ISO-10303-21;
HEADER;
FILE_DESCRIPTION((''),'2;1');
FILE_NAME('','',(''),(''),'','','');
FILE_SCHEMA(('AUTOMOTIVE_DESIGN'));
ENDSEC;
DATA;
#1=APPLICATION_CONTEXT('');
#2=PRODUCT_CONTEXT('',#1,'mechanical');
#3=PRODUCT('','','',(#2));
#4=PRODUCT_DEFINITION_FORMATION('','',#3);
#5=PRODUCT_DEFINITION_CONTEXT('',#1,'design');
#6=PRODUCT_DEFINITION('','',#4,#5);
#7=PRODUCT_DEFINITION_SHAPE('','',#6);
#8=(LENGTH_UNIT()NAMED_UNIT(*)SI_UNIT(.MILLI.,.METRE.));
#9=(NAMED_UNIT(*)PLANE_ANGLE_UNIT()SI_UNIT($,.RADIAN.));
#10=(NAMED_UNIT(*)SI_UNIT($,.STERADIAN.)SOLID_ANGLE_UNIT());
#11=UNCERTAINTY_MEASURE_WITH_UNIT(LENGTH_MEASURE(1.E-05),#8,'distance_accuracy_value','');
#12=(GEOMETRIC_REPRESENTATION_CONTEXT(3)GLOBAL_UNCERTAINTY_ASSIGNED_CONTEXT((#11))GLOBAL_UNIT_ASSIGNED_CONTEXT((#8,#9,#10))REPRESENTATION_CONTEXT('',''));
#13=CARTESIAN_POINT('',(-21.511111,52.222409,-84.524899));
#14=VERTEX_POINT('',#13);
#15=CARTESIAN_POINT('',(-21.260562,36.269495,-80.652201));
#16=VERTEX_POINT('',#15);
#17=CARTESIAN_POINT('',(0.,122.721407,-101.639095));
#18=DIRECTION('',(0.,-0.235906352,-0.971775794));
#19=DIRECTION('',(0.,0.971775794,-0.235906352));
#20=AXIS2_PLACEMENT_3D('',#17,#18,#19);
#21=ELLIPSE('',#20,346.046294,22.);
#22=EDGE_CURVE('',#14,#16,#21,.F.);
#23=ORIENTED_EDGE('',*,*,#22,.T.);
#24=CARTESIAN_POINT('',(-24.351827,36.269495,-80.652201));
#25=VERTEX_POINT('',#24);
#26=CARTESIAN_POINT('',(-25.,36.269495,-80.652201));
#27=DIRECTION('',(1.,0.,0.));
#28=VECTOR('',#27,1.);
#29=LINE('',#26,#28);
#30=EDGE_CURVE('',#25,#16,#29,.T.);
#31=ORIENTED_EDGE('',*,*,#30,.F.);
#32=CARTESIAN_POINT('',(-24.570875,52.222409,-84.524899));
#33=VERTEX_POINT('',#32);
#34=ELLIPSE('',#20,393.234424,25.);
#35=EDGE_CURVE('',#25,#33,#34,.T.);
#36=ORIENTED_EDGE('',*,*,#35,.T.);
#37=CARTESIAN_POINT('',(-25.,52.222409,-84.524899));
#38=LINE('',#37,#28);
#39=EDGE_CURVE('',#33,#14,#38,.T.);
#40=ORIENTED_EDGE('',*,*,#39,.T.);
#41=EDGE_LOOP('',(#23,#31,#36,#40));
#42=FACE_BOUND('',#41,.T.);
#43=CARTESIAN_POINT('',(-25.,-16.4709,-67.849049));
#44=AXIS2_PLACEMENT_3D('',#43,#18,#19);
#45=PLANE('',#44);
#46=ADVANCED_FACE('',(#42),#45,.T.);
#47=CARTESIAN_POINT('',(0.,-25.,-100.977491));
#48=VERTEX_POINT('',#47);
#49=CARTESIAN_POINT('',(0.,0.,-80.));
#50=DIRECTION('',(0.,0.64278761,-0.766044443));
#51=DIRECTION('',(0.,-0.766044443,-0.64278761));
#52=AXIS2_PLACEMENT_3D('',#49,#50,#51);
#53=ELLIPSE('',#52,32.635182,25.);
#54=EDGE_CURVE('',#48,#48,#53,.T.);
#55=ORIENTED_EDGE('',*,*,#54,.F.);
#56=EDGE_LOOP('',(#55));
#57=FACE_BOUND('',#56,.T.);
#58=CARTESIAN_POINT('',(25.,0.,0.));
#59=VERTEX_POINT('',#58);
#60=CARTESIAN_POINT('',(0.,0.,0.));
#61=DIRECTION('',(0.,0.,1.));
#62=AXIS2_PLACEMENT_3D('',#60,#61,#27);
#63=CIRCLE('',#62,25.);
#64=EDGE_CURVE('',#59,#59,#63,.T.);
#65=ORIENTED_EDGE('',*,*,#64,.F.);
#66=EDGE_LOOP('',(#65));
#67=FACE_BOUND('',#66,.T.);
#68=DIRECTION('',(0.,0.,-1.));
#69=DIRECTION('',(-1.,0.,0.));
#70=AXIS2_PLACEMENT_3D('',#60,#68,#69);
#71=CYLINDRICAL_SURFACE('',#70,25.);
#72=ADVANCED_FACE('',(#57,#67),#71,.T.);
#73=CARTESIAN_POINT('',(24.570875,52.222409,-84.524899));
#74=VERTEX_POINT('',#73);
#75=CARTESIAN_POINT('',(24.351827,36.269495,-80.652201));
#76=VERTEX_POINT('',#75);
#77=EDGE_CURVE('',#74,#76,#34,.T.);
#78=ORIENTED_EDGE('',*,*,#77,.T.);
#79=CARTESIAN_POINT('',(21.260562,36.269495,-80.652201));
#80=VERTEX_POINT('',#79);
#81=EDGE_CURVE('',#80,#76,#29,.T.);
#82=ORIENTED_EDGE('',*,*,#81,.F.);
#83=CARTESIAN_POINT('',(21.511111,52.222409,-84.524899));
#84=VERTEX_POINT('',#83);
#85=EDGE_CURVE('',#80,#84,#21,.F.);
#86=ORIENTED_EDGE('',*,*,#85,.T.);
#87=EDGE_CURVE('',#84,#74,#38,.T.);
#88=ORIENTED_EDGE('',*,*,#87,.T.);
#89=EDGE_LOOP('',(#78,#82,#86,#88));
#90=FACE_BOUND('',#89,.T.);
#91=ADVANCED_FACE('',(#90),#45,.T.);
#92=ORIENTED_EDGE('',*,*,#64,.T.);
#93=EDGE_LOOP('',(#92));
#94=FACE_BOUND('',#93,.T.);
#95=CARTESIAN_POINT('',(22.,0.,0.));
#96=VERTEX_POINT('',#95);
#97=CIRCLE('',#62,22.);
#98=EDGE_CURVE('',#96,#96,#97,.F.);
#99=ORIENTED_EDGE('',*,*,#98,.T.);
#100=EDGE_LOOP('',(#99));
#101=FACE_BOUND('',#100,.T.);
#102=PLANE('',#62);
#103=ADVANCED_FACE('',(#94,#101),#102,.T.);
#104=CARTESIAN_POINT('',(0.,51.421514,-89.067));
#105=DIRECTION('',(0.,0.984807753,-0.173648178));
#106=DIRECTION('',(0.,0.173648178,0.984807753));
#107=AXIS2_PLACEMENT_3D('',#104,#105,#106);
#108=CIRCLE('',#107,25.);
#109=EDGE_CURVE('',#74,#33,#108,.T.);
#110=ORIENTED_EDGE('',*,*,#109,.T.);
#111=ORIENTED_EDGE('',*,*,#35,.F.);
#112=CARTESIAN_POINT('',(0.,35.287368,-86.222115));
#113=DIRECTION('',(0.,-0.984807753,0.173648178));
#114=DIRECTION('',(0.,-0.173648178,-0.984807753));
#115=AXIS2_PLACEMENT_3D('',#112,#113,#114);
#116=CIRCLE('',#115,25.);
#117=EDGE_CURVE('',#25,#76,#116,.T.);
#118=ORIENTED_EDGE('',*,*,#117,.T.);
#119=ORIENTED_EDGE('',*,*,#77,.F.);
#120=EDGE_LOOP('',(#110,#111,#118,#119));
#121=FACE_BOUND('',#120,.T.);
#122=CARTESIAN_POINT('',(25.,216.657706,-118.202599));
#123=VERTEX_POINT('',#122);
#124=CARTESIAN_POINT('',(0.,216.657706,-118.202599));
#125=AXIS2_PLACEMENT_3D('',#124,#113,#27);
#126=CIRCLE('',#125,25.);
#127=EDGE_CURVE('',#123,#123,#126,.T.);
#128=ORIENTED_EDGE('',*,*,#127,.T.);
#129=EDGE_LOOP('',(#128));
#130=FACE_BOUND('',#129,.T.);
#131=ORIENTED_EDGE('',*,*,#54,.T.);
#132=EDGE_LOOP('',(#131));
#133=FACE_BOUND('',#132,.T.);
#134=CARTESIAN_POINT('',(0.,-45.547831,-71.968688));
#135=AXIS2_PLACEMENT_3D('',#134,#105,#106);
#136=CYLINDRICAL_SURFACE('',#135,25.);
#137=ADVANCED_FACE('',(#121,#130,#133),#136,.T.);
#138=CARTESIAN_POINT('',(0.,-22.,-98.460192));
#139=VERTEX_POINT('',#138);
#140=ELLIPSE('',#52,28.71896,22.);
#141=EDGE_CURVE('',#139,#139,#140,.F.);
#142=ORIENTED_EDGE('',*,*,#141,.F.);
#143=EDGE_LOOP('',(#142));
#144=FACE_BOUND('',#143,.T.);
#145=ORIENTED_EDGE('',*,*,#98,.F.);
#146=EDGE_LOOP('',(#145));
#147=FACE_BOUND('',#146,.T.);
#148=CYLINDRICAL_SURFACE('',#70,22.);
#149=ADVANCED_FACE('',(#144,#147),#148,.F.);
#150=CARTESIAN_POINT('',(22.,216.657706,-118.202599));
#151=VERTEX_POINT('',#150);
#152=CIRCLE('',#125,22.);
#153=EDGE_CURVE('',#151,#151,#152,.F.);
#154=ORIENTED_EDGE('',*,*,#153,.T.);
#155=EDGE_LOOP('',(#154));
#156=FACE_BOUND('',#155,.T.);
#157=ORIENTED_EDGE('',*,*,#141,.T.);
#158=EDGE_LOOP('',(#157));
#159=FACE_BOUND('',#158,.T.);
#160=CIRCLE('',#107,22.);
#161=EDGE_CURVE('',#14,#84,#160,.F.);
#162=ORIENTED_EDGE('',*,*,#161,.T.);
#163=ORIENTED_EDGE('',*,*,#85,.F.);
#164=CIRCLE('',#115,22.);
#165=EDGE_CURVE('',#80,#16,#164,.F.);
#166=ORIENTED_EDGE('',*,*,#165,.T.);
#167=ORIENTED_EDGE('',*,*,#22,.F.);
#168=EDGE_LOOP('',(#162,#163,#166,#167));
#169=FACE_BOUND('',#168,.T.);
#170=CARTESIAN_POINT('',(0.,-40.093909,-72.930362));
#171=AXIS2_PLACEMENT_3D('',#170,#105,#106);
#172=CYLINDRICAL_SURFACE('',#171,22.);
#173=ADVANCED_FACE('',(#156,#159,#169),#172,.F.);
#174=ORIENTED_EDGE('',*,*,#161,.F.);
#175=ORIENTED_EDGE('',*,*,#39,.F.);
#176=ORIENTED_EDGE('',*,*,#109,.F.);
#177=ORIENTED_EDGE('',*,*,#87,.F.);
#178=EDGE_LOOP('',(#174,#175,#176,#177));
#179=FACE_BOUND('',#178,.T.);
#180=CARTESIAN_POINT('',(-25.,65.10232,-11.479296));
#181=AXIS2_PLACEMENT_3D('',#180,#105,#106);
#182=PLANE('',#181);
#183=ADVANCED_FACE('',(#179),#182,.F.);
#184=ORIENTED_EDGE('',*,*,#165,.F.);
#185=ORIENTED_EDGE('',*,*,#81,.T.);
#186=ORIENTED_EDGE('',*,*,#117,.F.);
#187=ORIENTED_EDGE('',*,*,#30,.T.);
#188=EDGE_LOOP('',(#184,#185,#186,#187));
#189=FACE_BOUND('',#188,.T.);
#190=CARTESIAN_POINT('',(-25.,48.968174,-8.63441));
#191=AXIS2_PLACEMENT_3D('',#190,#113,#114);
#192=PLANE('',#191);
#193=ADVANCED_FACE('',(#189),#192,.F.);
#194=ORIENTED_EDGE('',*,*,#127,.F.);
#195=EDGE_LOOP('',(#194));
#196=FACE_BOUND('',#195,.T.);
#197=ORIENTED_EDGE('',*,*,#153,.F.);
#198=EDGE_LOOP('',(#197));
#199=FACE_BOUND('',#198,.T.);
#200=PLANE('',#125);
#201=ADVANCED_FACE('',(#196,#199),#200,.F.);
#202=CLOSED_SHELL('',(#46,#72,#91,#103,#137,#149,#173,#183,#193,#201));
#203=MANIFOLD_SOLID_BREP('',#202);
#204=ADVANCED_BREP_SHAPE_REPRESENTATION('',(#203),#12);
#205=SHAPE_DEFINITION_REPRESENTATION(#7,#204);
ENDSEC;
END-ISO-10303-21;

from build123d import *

# Parameters (mm, degrees)
SKETCH3_R               = 25
SKETCH3_R_2             = 22
CUT_EXTRUDE2_DEPTH      = 26
CUT_EXTRUDE2_DEPTH_BACK = 26


with BuildPart() as part:
    # Sweep1: sweep along a path in Sketch1
    with BuildLine(Plane(origin=(0, 0, 0), x_dir=(0, 0, -1), z_dir=(1, 0, 0))) as sweep1_path:
        Line((0, 0), (80, 0))
        Line((80, 0), (118.202599087, 216.657705663))
    # Sketch3 → Sweep1 (sweep)
    with BuildSketch(Plane.XY):
        Circle(SKETCH3_R)
        Circle(SKETCH3_R_2, mode=Mode.SUBTRACT)
    sweep(path=sweep1_path.line, transition=Transition.RIGHT)

    # Sketch4 → Cut-Extrude2 (cut, two sides)
    with BuildSketch(Plane(origin=(0, 0, 0), x_dir=(0, 0, -1), z_dir=(1, 0, 0))) as cut_extrude2_sk:
        Polygon((110.842308967, 30.946164041), (113.687194162, 47.080309724), (94.794337041, 50.411630176), (84.524899127, 52.222409157), (80.652201417, 36.269494553), align=None)
    extrude(amount=CUT_EXTRUDE2_DEPTH, mode=Mode.SUBTRACT)
    extrude(cut_extrude2_sk.sketch, amount=-CUT_EXTRUDE2_DEPTH_BACK, mode=Mode.SUBTRACT)


solid = part.part
